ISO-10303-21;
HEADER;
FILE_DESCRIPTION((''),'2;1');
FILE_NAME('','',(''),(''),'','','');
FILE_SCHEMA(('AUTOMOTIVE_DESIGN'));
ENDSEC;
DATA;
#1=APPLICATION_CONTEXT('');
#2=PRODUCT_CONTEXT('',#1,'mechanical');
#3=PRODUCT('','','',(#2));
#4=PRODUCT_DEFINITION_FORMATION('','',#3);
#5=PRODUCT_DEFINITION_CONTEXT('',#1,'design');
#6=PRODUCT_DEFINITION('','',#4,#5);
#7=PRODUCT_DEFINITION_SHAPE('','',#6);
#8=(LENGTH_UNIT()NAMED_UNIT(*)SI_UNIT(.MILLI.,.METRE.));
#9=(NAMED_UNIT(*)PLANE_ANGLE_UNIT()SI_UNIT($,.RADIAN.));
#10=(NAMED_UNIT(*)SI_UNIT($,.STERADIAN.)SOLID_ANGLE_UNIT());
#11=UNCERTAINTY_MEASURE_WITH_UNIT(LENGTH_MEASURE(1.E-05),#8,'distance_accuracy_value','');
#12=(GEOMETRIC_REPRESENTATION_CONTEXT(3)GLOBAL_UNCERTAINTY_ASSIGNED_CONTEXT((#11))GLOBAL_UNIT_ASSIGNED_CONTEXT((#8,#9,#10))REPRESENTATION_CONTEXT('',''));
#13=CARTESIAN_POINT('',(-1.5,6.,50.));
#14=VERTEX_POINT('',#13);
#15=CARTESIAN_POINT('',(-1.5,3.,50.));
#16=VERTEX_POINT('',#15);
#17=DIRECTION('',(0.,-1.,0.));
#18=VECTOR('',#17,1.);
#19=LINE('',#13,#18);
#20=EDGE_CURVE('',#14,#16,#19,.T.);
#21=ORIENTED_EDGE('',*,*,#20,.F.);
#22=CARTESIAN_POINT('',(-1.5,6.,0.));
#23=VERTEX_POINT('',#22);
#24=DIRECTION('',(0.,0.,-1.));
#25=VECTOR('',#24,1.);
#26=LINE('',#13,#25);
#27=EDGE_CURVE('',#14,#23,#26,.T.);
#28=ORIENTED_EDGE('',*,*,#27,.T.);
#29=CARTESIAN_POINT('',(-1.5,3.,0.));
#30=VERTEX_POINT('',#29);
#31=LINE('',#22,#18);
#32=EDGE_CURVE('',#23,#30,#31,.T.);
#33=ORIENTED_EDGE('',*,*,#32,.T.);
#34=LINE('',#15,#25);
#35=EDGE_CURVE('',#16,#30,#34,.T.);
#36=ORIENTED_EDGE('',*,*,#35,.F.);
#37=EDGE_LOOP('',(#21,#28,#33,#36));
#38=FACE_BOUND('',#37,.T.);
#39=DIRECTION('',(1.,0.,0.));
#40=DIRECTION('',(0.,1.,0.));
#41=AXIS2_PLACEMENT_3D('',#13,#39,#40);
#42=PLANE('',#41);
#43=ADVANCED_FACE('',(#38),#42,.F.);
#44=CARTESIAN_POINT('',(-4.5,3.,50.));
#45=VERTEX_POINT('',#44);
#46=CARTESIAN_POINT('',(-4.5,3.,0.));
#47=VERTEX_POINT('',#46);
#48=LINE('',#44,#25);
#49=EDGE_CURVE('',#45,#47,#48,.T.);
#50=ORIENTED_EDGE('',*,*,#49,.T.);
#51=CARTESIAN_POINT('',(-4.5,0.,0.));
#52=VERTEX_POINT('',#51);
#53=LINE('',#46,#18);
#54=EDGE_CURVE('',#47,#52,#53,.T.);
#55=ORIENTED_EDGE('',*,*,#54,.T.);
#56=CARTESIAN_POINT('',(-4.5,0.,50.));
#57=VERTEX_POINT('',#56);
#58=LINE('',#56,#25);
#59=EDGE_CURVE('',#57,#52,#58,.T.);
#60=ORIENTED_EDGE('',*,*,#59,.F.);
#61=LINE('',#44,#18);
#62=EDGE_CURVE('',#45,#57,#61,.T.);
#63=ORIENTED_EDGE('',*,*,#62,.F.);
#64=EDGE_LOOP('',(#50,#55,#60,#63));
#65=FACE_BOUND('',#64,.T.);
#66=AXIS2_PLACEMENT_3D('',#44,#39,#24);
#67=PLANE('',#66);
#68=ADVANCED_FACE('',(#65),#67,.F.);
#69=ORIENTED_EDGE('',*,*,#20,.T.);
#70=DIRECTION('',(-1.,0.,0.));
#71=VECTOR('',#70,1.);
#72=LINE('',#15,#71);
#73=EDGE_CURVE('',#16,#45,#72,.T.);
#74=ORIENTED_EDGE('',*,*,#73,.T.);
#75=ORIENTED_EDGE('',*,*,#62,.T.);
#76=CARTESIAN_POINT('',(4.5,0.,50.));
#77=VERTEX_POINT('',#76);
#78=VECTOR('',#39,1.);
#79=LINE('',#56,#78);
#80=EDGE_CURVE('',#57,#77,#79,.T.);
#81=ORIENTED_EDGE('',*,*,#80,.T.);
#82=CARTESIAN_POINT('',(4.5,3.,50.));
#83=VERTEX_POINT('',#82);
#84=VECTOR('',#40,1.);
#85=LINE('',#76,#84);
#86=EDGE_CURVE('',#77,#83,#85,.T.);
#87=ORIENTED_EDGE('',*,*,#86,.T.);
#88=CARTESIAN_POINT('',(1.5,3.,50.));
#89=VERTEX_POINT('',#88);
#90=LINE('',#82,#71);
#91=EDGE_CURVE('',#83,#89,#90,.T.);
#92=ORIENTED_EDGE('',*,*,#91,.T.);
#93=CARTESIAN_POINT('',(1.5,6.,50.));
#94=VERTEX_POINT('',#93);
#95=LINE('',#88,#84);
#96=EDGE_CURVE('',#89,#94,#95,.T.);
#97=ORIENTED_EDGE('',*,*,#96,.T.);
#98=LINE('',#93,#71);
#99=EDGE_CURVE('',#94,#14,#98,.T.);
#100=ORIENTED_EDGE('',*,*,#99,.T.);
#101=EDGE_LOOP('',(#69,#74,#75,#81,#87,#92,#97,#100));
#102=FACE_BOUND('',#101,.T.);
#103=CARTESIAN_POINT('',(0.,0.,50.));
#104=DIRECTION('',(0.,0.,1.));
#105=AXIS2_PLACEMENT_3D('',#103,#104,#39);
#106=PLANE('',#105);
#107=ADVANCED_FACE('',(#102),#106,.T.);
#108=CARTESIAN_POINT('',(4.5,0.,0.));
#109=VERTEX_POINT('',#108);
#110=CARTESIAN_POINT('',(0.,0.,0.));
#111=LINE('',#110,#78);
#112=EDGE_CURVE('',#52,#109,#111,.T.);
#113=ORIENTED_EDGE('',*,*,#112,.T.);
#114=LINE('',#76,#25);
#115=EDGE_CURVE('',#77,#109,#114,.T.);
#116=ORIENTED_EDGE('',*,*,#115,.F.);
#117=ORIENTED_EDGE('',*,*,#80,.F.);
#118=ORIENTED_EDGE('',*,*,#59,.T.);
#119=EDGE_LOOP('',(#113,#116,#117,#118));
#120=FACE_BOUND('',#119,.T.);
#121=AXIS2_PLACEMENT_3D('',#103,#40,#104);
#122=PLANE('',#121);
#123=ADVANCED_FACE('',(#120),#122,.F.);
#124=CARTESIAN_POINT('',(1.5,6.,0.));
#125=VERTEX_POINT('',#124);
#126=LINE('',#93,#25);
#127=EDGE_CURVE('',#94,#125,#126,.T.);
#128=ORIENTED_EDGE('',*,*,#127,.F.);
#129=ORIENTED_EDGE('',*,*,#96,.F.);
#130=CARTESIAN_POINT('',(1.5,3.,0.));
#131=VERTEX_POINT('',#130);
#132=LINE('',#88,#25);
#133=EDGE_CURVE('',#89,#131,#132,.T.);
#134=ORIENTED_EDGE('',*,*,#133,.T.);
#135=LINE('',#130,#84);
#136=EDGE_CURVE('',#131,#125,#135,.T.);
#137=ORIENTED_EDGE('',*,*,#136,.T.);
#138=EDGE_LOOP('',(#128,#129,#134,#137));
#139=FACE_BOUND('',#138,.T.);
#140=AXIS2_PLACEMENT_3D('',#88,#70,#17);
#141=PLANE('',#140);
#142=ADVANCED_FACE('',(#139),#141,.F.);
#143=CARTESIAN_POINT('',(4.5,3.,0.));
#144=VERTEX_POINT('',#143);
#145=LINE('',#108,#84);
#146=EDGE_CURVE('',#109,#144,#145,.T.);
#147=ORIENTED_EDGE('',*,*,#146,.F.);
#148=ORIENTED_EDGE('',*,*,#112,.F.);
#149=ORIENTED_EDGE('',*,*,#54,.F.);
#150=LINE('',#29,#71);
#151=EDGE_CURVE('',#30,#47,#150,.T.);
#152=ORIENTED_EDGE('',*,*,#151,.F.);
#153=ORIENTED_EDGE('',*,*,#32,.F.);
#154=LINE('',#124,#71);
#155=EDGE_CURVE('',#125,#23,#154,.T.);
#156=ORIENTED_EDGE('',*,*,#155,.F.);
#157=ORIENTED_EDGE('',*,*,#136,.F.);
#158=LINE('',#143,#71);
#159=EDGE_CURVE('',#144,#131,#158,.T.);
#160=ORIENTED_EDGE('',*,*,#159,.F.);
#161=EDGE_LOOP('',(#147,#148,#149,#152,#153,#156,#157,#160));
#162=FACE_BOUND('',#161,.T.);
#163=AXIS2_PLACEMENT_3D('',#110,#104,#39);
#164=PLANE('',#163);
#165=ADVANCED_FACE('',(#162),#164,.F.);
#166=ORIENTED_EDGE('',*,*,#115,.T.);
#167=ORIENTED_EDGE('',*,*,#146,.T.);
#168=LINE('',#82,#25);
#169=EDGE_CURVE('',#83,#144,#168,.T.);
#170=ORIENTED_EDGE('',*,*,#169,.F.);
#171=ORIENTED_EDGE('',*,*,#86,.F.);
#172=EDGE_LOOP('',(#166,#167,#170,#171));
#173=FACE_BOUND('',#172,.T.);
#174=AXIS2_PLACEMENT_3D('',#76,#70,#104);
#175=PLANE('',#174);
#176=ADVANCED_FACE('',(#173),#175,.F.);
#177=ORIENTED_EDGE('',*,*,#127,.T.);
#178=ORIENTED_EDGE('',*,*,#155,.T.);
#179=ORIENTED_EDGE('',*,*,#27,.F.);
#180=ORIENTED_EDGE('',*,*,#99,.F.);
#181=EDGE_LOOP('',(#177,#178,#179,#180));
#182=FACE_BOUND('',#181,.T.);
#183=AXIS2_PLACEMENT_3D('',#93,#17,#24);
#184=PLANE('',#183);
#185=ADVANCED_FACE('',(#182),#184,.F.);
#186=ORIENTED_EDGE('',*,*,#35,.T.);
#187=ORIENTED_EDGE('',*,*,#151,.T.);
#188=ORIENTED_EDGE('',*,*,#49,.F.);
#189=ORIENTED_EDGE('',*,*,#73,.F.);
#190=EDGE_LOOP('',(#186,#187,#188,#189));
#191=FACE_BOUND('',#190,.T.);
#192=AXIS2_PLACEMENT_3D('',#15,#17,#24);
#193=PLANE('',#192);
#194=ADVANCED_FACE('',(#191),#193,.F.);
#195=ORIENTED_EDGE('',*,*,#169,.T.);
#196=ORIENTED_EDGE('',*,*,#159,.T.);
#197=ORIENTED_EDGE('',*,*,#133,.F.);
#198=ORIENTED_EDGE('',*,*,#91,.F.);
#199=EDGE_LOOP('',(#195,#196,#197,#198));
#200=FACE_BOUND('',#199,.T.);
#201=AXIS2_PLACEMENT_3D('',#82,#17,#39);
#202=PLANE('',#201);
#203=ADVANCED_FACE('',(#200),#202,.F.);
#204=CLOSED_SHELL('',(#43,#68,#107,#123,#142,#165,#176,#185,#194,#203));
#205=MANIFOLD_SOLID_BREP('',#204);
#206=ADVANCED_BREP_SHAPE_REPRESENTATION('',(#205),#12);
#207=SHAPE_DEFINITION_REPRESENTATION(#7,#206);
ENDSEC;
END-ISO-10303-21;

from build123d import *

# Parameters (mm, degrees)
BOSS_EXTRUDE1_DEPTH = 50


with BuildPart() as part:
    # Sketch1 → Boss-Extrude1 (new body)
    with BuildSketch(Plane.XY):
        Polygon((0, 0), (4.5, 0), (4.5, 3), (1.5, 3), (1.5, 6), (-1.5, 6), (-1.5, 3), (-4.5, 3), (-4.5, 0), align=None)
    extrude(amount=BOSS_EXTRUDE1_DEPTH)


solid = part.part
